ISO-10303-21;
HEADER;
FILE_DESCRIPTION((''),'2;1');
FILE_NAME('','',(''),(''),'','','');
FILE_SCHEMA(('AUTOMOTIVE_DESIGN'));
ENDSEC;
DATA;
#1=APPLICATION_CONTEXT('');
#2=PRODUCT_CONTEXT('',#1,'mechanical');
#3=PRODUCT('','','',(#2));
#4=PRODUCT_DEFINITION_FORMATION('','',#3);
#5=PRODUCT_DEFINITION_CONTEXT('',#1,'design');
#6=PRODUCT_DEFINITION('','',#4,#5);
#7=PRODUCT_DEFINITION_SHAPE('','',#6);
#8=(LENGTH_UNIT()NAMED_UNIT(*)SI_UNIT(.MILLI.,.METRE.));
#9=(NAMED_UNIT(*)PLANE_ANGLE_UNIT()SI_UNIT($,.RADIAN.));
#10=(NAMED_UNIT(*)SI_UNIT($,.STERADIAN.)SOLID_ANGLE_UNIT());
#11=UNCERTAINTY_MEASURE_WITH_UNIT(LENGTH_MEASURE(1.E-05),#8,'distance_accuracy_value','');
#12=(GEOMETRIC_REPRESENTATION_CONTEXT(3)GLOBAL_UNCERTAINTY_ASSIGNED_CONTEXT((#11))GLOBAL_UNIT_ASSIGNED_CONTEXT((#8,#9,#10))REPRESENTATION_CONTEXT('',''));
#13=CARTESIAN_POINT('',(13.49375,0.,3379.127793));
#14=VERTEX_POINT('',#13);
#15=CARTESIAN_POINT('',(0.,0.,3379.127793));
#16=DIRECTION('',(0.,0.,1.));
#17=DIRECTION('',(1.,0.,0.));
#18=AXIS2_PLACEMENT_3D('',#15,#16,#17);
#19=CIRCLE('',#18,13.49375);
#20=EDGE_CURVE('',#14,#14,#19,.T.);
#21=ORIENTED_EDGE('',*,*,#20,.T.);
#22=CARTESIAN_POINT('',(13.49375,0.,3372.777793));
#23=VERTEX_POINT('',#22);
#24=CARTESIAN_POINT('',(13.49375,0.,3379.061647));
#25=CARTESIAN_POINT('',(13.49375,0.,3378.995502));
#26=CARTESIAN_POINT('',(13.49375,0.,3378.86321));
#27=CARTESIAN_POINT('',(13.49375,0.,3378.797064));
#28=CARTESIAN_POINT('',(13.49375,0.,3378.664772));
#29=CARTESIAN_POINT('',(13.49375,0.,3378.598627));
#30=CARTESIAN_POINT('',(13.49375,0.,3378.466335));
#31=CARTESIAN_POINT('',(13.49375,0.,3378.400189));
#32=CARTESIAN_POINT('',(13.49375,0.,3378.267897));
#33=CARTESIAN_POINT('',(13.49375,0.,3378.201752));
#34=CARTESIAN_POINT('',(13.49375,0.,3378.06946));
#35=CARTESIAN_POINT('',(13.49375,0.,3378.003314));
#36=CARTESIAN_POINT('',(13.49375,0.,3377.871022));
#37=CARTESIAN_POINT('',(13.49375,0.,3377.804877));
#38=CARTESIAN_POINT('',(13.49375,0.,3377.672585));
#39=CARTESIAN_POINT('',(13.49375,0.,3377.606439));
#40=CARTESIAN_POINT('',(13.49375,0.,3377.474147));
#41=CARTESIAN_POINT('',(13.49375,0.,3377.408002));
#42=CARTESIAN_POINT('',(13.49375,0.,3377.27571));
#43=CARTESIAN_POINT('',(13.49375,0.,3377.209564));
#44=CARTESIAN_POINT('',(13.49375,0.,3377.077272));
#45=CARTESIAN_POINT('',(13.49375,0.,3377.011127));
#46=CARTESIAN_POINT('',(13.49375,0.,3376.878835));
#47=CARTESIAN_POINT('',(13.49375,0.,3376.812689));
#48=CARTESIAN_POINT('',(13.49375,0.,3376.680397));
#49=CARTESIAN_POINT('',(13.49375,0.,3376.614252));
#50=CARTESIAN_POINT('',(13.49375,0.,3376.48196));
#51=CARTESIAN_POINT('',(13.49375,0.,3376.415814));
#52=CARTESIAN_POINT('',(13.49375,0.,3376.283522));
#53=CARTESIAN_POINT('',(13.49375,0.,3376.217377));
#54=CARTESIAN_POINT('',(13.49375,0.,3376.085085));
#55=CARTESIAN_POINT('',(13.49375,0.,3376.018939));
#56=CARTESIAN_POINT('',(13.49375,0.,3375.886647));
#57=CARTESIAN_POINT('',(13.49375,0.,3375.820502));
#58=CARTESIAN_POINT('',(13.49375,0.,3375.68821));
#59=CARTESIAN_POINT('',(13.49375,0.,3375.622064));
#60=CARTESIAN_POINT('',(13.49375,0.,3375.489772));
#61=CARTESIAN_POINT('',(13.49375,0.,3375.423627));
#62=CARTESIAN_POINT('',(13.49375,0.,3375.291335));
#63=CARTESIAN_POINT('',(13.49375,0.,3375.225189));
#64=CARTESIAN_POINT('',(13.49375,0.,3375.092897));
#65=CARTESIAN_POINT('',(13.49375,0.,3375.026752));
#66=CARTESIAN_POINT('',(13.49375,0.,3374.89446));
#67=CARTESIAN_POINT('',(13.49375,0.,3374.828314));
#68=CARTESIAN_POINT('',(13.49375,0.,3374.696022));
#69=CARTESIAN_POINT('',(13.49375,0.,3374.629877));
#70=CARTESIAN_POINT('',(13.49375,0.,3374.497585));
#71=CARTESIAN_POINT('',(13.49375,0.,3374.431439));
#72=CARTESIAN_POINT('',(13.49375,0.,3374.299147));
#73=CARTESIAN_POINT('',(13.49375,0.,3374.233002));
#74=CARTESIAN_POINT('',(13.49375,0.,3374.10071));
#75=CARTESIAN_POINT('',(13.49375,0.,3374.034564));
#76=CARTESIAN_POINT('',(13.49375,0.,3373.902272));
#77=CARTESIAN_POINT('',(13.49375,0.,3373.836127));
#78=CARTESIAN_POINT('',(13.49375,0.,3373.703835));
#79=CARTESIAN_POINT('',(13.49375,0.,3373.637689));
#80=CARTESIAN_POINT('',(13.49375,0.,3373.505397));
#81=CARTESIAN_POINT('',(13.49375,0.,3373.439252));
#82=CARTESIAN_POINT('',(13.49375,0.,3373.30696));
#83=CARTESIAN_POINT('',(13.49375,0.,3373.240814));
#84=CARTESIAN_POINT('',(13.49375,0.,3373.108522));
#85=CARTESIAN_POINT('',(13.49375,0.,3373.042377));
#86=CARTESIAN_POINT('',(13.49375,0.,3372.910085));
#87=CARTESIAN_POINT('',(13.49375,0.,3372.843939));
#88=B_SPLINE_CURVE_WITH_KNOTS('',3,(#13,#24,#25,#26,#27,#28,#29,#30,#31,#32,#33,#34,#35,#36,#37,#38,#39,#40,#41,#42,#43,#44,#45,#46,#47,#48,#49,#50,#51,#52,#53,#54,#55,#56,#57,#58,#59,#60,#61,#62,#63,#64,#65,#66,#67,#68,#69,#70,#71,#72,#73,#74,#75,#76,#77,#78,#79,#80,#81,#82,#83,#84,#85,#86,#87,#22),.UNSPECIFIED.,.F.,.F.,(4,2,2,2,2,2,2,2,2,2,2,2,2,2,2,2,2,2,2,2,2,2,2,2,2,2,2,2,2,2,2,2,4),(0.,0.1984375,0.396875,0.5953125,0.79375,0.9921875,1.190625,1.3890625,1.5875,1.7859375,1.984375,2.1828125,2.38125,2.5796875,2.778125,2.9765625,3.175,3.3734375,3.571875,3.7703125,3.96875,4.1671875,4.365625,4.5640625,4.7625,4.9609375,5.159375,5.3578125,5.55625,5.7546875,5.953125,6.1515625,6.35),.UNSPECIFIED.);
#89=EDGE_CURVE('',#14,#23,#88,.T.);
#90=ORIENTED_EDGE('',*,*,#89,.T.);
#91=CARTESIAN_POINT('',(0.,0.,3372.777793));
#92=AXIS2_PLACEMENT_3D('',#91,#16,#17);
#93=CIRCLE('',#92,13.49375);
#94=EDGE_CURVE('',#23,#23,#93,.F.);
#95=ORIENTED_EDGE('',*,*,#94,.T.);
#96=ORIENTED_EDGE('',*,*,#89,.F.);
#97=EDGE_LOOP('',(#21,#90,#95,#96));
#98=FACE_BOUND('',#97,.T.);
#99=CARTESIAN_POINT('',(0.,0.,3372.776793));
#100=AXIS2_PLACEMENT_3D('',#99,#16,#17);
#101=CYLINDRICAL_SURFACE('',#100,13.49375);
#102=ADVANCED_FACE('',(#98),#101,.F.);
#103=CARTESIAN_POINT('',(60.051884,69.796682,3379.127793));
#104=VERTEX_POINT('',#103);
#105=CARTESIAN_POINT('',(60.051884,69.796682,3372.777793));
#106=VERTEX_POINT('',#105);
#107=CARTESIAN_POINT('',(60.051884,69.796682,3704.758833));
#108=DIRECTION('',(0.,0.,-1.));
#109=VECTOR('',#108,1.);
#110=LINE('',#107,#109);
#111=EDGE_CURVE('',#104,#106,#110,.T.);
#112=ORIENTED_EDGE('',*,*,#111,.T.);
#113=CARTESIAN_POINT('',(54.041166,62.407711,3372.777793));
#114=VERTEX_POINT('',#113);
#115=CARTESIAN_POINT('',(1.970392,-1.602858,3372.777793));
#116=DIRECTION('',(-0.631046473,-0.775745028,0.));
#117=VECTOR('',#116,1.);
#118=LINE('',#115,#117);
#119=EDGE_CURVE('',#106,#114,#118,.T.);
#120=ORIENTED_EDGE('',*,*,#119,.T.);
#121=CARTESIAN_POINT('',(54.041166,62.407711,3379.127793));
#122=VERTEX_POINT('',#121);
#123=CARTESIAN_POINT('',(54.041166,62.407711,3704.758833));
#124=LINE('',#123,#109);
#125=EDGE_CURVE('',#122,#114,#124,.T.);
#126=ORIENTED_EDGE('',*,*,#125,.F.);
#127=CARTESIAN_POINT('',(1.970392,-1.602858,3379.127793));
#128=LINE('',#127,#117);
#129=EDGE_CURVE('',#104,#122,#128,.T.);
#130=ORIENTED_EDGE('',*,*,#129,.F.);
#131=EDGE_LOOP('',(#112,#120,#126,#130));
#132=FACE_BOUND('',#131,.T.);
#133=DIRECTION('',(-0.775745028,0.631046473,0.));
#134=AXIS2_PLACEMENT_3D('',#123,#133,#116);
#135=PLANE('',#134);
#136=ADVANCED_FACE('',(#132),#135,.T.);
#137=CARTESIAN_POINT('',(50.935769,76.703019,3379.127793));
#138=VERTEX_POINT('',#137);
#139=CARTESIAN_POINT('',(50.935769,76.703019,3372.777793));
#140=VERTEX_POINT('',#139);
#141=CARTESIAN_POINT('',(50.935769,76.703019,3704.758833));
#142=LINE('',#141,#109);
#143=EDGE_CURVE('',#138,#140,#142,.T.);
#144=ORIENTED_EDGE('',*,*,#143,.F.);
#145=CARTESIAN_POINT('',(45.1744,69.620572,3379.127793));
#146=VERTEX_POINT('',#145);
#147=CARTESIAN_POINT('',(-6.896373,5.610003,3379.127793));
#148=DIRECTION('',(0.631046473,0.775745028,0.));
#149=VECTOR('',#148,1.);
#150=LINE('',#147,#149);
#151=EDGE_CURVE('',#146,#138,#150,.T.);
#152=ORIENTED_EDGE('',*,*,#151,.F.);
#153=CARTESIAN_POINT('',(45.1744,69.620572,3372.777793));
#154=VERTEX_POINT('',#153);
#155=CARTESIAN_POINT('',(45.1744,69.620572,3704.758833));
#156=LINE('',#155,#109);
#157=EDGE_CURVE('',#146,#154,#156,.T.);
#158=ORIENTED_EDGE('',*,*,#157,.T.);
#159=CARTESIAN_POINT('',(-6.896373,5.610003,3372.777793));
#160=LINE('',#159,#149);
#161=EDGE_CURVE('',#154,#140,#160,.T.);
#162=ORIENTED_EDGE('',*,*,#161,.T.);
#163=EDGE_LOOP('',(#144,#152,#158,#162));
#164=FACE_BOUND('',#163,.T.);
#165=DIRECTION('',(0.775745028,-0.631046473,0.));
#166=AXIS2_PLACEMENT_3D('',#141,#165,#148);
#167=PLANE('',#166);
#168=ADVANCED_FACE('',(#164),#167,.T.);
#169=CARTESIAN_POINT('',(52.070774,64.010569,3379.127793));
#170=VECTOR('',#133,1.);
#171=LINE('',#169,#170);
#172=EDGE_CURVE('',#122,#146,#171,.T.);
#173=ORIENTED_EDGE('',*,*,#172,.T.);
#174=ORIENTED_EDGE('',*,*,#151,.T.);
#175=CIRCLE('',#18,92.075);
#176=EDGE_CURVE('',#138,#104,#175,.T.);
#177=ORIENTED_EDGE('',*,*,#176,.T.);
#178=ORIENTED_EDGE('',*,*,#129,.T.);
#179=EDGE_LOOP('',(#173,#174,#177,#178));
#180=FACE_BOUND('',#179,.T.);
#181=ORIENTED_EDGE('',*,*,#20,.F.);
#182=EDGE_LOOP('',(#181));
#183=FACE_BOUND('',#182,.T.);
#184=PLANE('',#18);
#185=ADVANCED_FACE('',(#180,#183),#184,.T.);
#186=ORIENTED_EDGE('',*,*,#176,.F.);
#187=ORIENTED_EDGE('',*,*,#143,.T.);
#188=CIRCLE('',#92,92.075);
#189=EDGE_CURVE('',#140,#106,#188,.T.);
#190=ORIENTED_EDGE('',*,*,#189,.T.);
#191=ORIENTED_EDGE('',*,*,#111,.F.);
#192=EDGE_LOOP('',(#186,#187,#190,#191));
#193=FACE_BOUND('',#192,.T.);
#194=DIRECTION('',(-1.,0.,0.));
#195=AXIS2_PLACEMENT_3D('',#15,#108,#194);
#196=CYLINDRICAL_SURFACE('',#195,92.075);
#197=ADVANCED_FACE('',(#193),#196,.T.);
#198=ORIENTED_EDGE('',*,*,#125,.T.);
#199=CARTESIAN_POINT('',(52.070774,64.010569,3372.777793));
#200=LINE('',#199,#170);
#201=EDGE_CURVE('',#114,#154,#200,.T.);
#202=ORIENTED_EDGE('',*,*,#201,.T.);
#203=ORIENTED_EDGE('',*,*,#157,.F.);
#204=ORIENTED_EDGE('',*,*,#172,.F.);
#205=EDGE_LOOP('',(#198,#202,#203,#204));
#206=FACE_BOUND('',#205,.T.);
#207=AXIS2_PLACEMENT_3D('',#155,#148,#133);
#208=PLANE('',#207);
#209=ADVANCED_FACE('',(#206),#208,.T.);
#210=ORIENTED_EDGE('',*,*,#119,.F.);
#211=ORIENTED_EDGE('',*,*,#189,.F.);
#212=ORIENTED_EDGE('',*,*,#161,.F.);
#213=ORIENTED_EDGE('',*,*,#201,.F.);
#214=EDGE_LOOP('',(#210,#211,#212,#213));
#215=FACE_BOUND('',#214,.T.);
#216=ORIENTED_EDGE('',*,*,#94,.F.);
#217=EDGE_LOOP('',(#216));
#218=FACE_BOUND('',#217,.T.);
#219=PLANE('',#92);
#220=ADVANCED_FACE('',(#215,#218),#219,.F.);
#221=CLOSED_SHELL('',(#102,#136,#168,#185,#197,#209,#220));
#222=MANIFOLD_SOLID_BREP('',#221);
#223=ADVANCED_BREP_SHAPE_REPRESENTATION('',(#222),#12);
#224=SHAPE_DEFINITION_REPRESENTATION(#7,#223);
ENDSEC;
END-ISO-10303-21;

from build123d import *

# Parameters (mm, degrees)
SKETCH1_R               = 92.075
BOSS_EXTRUDE1_DEPTH     = 6.35
CUT_EXTRUDE1_REACH      = 132.368
SKETCH2_R               = 13.49375
CUT_EXTRUDE2_DEPTH      = 131.368453815
CUT_EXTRUDE2_DEPTH_BACK = 131.368453815


with BuildPart() as part:
    # Sketch1 → Boss-Extrude1 (new body)
    with BuildSketch(Plane.XY.offset(3372.777793208)):
        Circle(SKETCH1_R)
    extrude(amount=BOSS_EXTRUDE1_DEPTH)

    # Sketch2 → Cut-Extrude1 (cut, up to next)
    with BuildSketch(Plane.XY.offset(3379.127793208), mode=Mode.PRIVATE) as cut_extrude1_sk1:
        Circle(SKETCH2_R)
    cut_extrude1_tool1 = extrude(cut_extrude1_sk1.sketch, amount=-CUT_EXTRUDE1_REACH, mode=Mode.PRIVATE) & part.part
    add(cut_extrude1_tool1.solids().sort_by_distance((0, 0, 3379.127793))[0], mode=Mode.SUBTRACT)

    # Sketch3 → Cut-Extrude2 (cut, two sides: drawn at the far end of the back side and taken through both)
    with BuildSketch(Plane.XY.offset(3379.127793208).offset(-CUT_EXTRUDE2_DEPTH_BACK)):
        Polygon((337.604296064, 429.104456568), (50.93576887, 76.70301868), (45.174400493, 69.620572204), (54.041166162, 62.407711012), (60.051883822, 69.796682403), (346.720411016, 422.198120291), (895.364622285, 1146.388703686), (886.248507333, 1153.295039963), align=None)
    extrude(amount=CUT_EXTRUDE2_DEPTH + CUT_EXTRUDE2_DEPTH_BACK, mode=Mode.SUBTRACT)


solid = part.part
